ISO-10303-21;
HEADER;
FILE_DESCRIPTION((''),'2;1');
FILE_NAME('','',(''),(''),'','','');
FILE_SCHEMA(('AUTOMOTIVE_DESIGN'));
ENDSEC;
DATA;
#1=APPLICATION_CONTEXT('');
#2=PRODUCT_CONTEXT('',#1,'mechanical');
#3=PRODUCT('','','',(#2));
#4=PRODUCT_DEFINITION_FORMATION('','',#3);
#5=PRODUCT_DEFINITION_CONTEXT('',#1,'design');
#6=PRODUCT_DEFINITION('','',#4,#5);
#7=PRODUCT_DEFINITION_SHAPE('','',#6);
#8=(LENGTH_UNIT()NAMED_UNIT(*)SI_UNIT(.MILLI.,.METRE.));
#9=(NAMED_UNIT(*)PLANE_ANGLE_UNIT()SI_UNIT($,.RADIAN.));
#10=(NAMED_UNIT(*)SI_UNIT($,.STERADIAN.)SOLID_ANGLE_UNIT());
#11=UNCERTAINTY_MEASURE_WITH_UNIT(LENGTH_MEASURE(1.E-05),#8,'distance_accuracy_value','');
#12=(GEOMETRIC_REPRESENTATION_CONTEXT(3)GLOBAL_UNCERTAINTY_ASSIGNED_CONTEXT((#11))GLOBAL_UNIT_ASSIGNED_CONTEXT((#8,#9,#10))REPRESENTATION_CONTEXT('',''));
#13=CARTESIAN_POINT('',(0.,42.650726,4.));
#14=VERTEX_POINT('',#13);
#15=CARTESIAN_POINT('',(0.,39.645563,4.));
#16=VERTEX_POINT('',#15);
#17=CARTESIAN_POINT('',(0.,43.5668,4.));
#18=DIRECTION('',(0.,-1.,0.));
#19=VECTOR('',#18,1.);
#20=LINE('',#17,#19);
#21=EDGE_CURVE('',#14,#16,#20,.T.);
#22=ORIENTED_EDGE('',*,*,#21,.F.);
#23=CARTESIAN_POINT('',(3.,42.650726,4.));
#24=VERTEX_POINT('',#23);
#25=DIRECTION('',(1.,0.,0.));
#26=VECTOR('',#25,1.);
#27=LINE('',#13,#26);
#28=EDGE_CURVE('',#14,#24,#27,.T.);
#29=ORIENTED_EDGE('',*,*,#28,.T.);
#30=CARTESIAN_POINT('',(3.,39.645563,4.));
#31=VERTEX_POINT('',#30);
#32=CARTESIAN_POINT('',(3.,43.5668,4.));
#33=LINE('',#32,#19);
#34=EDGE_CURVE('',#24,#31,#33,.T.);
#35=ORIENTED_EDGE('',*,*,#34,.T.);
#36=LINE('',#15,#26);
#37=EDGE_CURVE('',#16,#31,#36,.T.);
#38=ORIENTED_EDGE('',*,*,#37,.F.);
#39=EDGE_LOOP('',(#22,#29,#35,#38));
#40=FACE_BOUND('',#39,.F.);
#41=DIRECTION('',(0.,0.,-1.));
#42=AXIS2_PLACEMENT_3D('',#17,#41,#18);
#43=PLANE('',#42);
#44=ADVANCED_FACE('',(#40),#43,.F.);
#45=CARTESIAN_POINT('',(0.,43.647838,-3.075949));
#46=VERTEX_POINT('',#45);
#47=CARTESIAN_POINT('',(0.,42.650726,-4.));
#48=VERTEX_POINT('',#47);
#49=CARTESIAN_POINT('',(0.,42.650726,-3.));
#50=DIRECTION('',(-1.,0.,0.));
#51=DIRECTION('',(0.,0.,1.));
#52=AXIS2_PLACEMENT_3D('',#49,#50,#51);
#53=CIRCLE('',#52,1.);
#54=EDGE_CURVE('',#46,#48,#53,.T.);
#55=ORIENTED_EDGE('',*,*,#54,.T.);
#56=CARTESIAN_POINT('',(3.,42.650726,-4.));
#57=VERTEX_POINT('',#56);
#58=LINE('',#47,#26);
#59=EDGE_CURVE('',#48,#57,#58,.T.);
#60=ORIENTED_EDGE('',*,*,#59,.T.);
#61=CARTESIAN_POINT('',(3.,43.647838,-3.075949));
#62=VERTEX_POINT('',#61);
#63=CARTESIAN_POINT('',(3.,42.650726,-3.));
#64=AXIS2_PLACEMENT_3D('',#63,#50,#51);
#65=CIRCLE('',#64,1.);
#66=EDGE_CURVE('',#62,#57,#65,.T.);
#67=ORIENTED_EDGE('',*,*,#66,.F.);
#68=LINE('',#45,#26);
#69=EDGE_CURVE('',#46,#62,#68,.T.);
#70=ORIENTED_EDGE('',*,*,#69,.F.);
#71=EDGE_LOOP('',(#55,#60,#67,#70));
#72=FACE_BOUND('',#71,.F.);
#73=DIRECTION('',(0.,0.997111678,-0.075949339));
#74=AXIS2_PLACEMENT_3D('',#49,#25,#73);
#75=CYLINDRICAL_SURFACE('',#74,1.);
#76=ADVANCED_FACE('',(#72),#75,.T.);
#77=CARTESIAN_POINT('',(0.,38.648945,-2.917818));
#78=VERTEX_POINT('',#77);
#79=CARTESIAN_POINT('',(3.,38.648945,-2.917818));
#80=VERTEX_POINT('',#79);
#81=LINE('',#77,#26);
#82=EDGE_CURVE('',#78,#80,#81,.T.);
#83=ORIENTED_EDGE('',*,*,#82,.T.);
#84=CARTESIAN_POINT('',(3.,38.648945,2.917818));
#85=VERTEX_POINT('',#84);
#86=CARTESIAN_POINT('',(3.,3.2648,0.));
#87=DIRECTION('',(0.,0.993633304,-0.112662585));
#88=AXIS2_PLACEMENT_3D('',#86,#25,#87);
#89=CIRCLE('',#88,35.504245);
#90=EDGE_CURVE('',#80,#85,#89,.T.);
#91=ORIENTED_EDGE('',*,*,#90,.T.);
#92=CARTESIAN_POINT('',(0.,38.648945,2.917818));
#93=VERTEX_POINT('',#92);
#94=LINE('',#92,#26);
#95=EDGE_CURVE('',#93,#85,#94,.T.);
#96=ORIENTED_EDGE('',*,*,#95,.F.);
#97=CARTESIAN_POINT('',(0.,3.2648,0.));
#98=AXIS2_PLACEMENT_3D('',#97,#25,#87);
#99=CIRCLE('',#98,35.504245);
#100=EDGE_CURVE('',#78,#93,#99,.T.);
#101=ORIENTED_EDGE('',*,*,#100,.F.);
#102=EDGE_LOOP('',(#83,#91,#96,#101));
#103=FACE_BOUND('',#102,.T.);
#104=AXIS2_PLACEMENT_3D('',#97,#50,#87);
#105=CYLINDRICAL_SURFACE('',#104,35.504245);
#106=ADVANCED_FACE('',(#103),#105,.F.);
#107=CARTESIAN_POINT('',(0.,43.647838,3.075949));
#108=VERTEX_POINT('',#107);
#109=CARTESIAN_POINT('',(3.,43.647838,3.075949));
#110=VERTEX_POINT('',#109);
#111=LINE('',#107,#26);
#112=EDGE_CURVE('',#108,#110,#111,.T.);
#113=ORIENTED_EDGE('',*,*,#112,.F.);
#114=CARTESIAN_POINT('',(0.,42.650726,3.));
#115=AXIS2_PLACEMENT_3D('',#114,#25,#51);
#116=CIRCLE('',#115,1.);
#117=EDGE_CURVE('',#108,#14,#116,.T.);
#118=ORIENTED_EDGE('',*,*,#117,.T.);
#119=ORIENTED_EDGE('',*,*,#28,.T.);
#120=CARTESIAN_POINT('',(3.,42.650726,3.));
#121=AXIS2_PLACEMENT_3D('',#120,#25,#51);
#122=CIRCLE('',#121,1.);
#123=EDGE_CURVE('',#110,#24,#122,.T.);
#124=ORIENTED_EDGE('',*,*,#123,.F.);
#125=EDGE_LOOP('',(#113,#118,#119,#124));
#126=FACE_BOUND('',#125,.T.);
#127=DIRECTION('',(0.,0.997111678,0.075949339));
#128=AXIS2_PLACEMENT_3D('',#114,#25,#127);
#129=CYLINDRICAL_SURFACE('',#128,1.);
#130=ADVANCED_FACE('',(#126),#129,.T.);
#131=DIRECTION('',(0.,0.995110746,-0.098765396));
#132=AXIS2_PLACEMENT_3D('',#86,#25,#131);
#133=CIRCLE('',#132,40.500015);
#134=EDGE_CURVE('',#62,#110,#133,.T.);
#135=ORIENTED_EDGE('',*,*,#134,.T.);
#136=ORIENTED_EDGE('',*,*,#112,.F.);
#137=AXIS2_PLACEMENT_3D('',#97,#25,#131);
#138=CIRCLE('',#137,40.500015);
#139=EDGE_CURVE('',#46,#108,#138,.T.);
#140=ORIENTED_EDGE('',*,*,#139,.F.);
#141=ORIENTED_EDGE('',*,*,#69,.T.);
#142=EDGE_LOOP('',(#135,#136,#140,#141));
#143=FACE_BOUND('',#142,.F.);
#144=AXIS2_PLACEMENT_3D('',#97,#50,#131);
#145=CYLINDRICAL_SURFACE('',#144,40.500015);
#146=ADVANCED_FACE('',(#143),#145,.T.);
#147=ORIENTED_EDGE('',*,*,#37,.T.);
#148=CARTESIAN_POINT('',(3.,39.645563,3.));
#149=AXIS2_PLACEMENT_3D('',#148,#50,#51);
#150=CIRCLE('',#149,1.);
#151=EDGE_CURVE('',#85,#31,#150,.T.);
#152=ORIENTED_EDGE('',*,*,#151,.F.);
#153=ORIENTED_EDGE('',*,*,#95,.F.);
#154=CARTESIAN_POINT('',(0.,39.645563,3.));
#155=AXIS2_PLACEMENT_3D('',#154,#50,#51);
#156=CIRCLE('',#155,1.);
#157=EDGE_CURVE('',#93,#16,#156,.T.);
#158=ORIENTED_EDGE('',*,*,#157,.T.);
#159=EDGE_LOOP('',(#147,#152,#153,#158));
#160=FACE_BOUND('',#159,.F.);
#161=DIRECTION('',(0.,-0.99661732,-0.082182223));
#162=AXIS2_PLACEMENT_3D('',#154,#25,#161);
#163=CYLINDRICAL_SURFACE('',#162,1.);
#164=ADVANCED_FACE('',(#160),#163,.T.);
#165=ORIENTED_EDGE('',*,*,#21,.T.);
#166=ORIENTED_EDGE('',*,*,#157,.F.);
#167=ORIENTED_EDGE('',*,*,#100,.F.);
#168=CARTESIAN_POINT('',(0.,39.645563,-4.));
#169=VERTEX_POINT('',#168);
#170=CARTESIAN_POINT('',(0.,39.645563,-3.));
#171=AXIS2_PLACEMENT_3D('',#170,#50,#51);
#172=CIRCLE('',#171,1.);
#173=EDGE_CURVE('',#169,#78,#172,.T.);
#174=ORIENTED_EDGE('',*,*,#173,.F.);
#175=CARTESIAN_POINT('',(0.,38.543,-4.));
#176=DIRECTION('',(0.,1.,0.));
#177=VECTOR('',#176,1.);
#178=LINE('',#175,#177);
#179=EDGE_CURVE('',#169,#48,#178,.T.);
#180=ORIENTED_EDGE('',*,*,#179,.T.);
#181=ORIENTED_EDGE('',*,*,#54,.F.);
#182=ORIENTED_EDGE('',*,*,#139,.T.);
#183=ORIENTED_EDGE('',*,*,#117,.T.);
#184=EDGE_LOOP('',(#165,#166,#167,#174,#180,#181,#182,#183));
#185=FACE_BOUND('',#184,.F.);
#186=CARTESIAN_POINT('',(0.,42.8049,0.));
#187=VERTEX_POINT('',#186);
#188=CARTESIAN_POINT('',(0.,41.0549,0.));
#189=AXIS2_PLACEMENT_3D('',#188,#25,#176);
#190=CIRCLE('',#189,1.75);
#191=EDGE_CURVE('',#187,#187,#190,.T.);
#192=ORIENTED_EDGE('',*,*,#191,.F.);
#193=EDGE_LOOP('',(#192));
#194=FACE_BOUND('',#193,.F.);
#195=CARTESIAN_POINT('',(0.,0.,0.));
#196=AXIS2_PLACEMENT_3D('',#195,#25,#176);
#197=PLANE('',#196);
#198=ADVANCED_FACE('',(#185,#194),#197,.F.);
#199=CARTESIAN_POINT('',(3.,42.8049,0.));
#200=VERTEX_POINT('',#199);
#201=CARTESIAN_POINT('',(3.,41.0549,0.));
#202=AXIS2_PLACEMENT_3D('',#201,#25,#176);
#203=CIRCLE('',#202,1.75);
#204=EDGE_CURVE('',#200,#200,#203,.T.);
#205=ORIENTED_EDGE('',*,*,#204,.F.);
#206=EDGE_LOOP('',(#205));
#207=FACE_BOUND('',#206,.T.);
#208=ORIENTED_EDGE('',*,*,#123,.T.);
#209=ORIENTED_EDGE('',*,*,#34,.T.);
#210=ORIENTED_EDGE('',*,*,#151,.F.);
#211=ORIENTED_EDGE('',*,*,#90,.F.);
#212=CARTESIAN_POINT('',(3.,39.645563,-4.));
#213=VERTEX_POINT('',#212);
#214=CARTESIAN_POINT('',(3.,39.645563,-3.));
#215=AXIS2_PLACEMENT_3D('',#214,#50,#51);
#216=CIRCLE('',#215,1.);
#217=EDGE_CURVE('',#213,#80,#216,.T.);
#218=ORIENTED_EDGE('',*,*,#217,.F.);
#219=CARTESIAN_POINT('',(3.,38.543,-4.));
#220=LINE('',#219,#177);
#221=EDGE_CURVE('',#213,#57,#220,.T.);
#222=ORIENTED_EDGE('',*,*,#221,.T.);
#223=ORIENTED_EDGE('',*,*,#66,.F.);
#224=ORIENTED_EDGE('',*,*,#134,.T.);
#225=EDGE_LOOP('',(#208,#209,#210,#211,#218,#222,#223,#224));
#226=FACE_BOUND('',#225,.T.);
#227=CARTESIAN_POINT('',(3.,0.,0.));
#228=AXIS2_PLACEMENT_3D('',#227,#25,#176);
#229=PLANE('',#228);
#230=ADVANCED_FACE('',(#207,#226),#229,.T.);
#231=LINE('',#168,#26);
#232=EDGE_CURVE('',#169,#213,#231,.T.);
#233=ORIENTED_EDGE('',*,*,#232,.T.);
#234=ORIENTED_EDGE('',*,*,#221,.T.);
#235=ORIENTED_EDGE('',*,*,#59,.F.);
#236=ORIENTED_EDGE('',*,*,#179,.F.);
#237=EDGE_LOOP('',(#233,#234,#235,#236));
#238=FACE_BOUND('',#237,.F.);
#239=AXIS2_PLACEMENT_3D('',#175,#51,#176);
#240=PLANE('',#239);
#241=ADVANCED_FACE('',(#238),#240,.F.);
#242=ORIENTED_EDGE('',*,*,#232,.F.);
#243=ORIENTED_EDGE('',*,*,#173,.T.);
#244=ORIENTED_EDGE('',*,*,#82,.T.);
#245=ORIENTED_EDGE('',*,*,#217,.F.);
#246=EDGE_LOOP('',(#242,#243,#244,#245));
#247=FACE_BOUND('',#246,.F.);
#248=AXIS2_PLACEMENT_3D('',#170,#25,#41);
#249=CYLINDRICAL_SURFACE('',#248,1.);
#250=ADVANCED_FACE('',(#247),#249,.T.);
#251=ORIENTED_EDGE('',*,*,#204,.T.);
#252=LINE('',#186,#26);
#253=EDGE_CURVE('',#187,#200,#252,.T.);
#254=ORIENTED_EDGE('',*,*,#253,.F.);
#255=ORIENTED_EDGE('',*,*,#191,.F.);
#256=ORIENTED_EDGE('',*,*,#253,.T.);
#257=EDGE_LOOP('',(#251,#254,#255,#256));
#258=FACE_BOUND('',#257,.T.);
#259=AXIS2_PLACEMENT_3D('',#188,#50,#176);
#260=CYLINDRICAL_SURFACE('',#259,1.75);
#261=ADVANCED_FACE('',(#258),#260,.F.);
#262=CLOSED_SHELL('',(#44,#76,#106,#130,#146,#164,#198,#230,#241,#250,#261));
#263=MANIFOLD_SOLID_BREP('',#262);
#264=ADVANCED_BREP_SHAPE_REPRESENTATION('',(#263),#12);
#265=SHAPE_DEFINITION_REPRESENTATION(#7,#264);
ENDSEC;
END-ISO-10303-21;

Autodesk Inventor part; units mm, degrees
ref_plane "YZ Plane" through (0, 0, 0) normal (1, 0, 0) x (0, 1, 0)
ref_plane "XZ Plane" through (0, 0, 0) normal (0, 1, 0) x (-1, 0, 0)
ref_plane "XY Plane" through (0, 0, 0) normal (0, 0, 1) x (1, 0, 0)
sketch "Sketch1" plane through (0, 0, 0) normal (1, 0, 0) x (0, 1, 0)
  circle A0 centre (0, 0) radius 43.75 construction
  circle A1 centre (0, 0) radius 38.75 construction
  line L0 (48.236, 0) -> (48.236, 4) construction
  line L1 (48.236, 0) -> (48.236, -4) construction
  arc A2 (43.5668, -4) -> (43.5668, 4) centre (0, 0) ccw construction
  arc A3 (38.543, -4) -> (38.543, 4) centre (0, 0) ccw construction
  line L2 (43.5668, 4) -> (38.543, 4)
  line L3 (38.543, -4) -> (43.5668, -4)
  arc A4 (38.543, -4) -> (38.543, 4) centre (3.2648, 0) ccw
  arc A5 (43.5668, -4) -> (43.5668, 4) centre (3.2648, 0) ccw
  line L4 (38.769, 0) -> (43.7648, 0) construction
  line L5 (41.0549, 4) -> (41.0549, -4) construction
  circle A6 centre (41.0549, 0) radius 1.75 construction
  circle A7 centre (41.0549, 0) radius 1.75
  dimension "d0" = 87.5
  dimension "d1" = 77.5
  dimension "d2" = 4
  dimension "d3" = 4
  dimension "d4" = 3.5
  dimension "d5" = 3.5
  dimension "d6" = 40.5
  dimension "d7" = 7.1811
  dimension "d8" = 4
  dimension "d9" = 4
extrude "Extrusion2" add sketch "Sketch1" along normal blind 3
fillet "Fillet2" radius 1 4 edges at (1.5, 43.5668, -4) (1.5, 43.5668, 4) (1.5, 38.543, 4) (1.5, 38.543, -4)
properties part number "Reverse Gear Link Block" material "PVC-Piping"
